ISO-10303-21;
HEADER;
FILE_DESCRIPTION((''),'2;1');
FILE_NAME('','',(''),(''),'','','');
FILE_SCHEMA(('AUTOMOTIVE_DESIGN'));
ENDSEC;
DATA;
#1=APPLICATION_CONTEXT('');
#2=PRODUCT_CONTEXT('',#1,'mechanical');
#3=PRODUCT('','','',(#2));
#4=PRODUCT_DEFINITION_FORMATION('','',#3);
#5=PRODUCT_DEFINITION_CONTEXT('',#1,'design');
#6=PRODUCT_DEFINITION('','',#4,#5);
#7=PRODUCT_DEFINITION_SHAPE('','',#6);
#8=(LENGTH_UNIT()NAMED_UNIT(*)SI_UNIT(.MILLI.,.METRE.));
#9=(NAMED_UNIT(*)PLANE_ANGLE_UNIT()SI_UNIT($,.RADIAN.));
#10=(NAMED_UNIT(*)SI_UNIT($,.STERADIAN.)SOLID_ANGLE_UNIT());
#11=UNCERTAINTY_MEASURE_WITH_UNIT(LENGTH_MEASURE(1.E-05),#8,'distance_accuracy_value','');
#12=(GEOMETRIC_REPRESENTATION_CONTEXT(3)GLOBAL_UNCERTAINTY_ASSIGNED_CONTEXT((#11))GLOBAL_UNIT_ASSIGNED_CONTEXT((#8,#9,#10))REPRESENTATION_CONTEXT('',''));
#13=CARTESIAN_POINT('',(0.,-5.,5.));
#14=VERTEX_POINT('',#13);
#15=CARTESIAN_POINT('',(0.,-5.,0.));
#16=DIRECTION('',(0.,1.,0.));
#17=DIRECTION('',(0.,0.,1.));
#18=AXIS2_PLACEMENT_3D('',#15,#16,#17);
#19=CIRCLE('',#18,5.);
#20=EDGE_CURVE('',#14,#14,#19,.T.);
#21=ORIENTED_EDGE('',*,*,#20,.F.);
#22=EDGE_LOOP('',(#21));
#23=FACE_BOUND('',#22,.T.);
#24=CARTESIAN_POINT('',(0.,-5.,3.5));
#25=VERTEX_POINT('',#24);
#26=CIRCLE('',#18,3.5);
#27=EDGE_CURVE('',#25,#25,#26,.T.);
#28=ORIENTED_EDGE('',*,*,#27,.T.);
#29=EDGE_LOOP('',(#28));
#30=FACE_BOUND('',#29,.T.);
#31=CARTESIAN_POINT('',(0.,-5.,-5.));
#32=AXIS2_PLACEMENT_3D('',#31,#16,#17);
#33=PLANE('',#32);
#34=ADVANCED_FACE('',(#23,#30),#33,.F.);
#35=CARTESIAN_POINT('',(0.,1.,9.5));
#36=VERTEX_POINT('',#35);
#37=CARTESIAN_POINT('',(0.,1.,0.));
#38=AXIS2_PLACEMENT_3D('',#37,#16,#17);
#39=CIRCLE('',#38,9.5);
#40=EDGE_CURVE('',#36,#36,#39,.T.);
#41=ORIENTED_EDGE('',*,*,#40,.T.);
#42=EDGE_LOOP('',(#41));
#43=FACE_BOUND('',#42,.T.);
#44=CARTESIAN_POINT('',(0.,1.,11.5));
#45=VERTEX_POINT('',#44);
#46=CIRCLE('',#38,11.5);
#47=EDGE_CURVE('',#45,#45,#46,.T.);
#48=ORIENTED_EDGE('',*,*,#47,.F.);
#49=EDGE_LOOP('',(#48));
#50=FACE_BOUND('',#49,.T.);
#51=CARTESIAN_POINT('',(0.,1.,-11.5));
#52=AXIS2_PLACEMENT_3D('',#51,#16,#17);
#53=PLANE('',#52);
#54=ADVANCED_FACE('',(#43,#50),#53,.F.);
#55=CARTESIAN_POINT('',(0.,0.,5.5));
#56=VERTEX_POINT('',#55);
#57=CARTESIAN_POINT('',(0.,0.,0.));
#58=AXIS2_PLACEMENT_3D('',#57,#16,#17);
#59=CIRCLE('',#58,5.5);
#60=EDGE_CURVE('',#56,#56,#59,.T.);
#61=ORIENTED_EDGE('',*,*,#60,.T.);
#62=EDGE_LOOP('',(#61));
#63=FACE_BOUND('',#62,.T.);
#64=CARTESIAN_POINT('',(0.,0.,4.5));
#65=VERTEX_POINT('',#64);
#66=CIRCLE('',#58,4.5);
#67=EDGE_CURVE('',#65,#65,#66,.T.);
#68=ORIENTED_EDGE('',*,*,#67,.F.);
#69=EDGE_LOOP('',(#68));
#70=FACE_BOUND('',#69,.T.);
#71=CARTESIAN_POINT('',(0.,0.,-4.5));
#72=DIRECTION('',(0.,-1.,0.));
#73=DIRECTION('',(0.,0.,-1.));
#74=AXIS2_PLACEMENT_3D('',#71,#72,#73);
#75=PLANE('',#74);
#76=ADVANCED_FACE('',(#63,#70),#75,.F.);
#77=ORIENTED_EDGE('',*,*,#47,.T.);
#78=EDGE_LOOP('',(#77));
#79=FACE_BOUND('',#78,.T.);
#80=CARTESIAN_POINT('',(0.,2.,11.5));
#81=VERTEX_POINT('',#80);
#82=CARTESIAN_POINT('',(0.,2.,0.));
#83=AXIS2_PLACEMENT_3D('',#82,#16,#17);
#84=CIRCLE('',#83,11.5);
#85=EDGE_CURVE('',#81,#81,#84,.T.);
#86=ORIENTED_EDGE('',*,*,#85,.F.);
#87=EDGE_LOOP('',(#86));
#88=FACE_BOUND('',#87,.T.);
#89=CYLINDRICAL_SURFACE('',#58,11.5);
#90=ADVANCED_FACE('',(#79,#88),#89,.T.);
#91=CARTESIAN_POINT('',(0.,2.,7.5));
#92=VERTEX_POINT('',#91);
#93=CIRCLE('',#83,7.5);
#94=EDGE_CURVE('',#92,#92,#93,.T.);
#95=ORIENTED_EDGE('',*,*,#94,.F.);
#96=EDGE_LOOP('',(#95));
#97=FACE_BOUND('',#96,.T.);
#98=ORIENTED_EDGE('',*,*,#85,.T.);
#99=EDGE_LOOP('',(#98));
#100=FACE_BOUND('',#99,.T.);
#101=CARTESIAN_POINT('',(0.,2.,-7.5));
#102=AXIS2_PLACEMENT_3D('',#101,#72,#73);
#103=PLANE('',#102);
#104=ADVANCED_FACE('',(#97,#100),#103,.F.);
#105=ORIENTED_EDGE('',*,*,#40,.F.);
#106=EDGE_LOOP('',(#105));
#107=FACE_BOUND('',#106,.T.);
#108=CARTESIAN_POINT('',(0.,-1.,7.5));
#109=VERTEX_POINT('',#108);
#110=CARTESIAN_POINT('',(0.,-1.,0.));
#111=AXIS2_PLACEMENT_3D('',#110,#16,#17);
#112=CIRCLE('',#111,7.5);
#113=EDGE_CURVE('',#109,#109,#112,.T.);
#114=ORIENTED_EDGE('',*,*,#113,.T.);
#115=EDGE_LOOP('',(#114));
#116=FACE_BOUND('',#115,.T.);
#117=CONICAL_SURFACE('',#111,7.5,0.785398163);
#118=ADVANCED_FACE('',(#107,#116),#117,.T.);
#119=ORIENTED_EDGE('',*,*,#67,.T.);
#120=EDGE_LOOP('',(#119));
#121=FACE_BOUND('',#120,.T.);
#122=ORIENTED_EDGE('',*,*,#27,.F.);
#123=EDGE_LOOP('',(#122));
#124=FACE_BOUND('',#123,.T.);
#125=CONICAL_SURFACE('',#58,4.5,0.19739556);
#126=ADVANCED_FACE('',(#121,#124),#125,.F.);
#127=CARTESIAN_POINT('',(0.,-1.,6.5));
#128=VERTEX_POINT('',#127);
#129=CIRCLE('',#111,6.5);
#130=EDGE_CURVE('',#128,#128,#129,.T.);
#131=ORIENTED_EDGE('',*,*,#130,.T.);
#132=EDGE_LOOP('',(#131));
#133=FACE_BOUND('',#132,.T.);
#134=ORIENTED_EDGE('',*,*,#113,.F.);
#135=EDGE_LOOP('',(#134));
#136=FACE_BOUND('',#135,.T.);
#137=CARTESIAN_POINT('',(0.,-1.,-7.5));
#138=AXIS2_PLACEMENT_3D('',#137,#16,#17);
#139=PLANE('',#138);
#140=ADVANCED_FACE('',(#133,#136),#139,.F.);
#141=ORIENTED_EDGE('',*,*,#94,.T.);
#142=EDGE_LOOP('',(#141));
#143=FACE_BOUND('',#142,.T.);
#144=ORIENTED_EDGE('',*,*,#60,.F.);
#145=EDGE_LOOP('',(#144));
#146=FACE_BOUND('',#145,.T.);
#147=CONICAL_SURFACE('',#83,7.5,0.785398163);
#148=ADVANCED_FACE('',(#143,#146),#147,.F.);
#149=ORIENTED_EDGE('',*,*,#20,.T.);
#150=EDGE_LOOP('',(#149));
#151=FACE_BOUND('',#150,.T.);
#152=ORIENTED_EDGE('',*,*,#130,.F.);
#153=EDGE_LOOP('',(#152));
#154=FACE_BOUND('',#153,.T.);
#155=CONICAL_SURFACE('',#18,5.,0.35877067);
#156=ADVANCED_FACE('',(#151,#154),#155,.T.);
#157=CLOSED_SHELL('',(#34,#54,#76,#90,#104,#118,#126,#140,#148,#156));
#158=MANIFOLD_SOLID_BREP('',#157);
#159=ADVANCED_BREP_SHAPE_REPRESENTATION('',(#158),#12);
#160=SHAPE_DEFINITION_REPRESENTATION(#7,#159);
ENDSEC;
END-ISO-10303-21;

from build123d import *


with BuildPart() as part:
    # Sketch1 → Revolve1 (revolve)
    with BuildSketch(Plane(origin=(0, 0, 0), x_dir=(0, 0, -1), z_dir=(1, 0, 0)), mode=Mode.PRIVATE) as revolve1_sk:
        Polygon((3.5, -5), (4.5, 0), (5.5, 0), (7.5, 2), (11.5, 2), (11.5, 1), (9.5, 1), (7.5, -1), (6.5, -1), (5, -5), align=None)
    revolve(revolve1_sk.sketch.rotate(Axis((0, 0, 0), (0, -1, 0)), 180), axis=Axis((0, 0, 0), (0, -1, 0)))


solid = part.part
